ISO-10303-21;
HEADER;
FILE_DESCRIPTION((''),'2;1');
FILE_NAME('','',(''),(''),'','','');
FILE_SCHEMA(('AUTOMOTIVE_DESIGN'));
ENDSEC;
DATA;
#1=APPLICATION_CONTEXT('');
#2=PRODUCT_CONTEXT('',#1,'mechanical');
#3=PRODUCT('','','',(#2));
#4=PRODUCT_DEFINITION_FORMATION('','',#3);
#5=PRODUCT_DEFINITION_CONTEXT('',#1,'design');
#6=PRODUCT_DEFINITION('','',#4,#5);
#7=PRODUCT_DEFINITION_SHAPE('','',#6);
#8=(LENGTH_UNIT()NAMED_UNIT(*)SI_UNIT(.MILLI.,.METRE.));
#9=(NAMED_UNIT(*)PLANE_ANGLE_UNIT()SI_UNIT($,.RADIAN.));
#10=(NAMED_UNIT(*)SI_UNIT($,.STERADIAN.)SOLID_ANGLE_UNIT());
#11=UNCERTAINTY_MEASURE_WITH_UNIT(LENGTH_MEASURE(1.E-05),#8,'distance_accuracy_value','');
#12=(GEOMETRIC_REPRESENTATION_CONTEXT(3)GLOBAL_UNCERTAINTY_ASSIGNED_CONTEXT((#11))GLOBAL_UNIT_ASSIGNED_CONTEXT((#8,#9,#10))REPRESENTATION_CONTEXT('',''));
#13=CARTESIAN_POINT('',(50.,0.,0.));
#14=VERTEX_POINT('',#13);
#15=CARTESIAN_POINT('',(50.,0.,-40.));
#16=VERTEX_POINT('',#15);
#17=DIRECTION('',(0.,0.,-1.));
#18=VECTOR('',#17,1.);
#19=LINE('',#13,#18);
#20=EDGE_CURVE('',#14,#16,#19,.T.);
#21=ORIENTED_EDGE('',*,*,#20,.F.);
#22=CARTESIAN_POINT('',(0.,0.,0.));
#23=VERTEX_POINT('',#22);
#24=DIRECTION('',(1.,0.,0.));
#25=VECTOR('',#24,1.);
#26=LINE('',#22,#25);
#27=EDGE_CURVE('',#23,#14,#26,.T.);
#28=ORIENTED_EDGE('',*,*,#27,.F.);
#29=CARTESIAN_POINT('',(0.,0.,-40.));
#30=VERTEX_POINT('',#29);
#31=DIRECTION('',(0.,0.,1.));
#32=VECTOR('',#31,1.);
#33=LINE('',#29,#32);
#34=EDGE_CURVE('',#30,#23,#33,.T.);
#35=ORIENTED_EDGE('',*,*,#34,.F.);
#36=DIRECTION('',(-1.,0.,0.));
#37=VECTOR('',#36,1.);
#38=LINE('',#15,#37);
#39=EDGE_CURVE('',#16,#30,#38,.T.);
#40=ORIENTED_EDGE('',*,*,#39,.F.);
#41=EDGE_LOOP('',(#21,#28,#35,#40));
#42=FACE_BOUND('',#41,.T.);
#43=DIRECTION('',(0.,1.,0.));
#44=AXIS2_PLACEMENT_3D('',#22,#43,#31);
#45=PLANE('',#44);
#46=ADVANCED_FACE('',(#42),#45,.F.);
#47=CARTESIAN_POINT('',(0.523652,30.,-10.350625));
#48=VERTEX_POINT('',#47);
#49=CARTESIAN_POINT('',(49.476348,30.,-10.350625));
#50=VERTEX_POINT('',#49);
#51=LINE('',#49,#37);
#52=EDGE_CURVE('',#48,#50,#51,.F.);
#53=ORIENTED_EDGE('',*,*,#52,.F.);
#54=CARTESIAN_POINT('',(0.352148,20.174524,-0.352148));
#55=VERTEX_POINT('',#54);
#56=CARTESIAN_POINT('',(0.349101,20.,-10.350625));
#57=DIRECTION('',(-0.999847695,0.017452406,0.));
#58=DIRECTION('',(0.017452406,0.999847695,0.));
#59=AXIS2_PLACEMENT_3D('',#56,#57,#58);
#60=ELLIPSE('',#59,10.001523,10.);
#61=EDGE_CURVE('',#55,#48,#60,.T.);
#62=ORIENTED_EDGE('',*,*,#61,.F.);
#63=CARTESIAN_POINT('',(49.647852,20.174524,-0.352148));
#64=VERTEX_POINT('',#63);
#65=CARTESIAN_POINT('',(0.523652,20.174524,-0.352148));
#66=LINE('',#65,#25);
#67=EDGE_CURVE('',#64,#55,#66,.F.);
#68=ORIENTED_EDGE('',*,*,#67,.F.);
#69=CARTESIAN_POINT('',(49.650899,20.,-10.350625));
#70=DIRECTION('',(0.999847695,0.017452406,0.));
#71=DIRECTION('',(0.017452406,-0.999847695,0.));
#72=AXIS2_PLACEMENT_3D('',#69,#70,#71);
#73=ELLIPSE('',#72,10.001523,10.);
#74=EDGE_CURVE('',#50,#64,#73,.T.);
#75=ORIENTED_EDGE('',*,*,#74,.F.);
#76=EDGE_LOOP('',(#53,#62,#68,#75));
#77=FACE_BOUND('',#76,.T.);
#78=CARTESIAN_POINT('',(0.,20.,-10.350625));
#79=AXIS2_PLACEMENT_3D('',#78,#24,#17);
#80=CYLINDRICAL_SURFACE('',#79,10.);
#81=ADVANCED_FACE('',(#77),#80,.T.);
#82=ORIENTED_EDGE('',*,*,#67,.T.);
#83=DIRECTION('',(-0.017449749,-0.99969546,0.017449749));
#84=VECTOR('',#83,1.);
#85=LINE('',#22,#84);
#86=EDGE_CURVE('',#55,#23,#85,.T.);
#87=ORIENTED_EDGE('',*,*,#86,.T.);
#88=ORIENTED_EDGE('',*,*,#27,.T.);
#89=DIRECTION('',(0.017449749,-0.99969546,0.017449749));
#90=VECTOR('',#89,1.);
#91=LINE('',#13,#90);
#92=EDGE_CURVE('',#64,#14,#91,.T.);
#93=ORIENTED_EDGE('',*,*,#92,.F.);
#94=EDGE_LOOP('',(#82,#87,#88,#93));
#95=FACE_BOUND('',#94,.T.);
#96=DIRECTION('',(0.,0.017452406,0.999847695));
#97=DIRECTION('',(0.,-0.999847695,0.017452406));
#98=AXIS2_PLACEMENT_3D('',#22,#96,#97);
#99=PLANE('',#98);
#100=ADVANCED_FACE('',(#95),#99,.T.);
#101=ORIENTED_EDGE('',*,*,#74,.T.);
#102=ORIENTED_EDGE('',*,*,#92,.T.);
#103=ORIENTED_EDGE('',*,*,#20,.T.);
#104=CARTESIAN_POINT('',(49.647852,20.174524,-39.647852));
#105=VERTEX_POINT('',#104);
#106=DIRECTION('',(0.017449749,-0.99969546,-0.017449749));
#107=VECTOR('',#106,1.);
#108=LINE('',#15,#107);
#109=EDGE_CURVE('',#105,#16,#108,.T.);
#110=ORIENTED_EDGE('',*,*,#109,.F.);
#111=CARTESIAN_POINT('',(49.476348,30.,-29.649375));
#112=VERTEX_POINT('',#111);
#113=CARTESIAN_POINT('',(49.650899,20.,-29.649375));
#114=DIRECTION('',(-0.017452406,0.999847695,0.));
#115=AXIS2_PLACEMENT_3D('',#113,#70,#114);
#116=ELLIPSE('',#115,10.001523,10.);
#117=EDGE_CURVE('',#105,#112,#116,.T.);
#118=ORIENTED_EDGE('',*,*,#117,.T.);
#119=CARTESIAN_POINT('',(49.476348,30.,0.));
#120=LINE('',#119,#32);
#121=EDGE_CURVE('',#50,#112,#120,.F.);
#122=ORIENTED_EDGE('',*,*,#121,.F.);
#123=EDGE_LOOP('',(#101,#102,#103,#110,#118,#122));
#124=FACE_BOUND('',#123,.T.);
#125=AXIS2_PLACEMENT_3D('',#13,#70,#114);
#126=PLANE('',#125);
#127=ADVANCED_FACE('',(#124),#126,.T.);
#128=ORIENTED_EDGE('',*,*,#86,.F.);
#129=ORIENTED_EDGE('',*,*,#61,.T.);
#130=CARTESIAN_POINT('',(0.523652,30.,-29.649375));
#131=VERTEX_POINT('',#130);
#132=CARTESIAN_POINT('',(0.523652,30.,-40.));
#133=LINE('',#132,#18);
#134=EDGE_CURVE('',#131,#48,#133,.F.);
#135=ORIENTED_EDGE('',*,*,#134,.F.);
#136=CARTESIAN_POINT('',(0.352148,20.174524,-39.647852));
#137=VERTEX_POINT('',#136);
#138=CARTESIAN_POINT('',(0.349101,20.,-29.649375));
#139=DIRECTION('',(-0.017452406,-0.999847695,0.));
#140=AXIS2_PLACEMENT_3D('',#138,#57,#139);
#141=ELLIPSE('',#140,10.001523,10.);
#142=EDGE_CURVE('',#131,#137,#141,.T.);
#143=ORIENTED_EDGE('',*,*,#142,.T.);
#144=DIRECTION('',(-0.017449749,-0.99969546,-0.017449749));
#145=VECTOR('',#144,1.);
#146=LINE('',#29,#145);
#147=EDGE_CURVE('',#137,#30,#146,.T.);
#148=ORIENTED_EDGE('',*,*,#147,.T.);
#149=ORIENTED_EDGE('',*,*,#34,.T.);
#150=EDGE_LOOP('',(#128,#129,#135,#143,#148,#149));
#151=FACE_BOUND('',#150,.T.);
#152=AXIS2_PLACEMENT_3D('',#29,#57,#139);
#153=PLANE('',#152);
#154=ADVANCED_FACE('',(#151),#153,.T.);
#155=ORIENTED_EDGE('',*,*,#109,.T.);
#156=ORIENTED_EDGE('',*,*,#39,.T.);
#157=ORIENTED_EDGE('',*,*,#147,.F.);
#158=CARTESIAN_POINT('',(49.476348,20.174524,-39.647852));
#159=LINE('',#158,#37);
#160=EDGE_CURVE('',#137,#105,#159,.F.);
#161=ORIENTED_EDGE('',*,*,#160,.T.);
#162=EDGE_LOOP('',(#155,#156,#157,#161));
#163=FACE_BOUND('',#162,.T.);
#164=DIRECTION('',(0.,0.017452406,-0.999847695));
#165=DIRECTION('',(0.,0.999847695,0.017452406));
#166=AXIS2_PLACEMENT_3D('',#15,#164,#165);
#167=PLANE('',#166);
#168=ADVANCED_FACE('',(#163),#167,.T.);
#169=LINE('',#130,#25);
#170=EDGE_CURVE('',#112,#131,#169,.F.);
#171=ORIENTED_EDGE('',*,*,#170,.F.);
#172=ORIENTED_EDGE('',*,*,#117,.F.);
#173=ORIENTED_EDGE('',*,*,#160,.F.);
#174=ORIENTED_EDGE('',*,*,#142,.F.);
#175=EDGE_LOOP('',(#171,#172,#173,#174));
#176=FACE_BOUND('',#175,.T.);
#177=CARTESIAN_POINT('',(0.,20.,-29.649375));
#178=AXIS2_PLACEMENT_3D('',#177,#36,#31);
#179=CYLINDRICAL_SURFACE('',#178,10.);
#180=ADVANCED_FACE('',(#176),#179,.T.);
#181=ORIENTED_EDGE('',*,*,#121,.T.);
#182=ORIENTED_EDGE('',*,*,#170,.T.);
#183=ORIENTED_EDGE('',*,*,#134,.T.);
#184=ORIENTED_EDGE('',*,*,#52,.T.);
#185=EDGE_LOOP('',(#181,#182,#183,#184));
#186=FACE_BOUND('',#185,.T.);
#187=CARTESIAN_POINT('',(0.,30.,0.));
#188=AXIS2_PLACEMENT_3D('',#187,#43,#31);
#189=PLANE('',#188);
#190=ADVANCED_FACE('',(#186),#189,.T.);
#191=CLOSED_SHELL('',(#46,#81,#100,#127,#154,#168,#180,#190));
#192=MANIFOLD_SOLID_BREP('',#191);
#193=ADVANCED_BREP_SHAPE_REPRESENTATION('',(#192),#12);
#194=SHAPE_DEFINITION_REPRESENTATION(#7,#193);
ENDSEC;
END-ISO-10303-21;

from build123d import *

# Parameters (mm, degrees)
ESBO_O1_W                = 50
ESBO_O1_H                = 40
RESSALTO_EXTRUS_O1_DEPTH = 30
RESSALTO_EXTRUS_O1_TAPER = 1
FILETE2_R                = 10


with BuildPart() as part:
    # Esboço1 → Ressalto-extrusão1 (new body)
    with BuildSketch(Plane(origin=(0, 0, 0), x_dir=(1, 0, 0), z_dir=(0, 1, 0))):
        with Locations((25, 20)):
            Rectangle(ESBO_O1_W, ESBO_O1_H)
    extrude(amount=RESSALTO_EXTRUS_O1_DEPTH, taper=RESSALTO_EXTRUS_O1_TAPER)

    # Filete2
    filete2_edges = [part.edges().sort_by_distance(p)[0] for p in [
        (25, 30, -39.476348052),
        (25, 30, -0.523651948),
    ]]
    fillet(filete2_edges, radius=FILETE2_R)


solid = part.part
